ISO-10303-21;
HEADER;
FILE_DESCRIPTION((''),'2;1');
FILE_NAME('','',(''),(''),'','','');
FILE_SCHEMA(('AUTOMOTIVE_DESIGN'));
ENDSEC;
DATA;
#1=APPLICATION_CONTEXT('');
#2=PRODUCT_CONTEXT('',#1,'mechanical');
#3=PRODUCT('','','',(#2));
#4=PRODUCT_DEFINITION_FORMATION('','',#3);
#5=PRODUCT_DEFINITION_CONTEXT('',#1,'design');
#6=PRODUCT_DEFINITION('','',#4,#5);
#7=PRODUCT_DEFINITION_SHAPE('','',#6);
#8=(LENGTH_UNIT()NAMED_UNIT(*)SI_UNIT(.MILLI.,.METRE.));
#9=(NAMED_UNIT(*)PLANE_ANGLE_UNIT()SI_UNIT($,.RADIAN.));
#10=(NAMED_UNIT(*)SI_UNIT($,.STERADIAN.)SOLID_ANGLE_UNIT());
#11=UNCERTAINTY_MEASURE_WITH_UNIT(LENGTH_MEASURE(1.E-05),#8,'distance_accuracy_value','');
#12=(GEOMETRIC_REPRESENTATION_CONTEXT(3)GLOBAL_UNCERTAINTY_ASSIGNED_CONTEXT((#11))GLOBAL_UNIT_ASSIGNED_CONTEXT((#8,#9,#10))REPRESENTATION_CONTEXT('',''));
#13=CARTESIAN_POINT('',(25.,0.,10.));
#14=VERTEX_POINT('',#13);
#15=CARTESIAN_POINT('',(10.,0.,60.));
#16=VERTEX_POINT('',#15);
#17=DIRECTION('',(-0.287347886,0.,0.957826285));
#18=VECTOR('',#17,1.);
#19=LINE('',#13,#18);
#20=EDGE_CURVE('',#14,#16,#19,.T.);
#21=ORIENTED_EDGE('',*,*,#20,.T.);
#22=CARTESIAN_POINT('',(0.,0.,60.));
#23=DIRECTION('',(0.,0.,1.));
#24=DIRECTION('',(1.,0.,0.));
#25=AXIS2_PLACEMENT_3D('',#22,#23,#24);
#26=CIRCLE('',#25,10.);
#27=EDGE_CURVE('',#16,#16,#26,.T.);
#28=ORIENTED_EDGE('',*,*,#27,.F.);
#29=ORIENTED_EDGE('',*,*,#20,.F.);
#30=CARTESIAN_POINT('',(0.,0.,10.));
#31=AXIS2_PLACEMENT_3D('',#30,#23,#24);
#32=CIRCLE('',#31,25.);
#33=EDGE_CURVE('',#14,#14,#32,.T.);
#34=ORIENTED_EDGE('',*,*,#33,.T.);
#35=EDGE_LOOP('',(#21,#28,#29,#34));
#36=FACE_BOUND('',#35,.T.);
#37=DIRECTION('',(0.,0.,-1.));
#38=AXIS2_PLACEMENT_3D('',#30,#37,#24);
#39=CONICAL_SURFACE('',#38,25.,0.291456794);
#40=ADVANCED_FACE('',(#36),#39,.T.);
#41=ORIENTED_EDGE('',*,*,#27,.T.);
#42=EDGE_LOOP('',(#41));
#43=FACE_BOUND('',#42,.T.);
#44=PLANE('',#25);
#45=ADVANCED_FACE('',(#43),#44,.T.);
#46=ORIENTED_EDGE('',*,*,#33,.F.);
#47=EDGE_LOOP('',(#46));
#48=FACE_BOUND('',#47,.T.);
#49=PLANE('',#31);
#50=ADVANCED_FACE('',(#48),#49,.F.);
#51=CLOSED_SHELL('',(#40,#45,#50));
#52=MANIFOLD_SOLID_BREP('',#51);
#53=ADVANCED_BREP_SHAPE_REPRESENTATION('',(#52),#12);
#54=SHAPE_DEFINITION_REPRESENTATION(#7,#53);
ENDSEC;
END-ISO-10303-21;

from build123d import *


with BuildPart() as part:
    # Cone → Cone (revolve)
    with BuildSketch(Plane(origin=(0, 0, 10), x_dir=(1, 0, 0), z_dir=(0, -1, 0))):
        Polygon((0, 0), (25, 0), (10, 50), (0, 50), align=None)
    revolve(axis=Axis((0, 0, 10), (0, 0, 1)))


solid = part.part
